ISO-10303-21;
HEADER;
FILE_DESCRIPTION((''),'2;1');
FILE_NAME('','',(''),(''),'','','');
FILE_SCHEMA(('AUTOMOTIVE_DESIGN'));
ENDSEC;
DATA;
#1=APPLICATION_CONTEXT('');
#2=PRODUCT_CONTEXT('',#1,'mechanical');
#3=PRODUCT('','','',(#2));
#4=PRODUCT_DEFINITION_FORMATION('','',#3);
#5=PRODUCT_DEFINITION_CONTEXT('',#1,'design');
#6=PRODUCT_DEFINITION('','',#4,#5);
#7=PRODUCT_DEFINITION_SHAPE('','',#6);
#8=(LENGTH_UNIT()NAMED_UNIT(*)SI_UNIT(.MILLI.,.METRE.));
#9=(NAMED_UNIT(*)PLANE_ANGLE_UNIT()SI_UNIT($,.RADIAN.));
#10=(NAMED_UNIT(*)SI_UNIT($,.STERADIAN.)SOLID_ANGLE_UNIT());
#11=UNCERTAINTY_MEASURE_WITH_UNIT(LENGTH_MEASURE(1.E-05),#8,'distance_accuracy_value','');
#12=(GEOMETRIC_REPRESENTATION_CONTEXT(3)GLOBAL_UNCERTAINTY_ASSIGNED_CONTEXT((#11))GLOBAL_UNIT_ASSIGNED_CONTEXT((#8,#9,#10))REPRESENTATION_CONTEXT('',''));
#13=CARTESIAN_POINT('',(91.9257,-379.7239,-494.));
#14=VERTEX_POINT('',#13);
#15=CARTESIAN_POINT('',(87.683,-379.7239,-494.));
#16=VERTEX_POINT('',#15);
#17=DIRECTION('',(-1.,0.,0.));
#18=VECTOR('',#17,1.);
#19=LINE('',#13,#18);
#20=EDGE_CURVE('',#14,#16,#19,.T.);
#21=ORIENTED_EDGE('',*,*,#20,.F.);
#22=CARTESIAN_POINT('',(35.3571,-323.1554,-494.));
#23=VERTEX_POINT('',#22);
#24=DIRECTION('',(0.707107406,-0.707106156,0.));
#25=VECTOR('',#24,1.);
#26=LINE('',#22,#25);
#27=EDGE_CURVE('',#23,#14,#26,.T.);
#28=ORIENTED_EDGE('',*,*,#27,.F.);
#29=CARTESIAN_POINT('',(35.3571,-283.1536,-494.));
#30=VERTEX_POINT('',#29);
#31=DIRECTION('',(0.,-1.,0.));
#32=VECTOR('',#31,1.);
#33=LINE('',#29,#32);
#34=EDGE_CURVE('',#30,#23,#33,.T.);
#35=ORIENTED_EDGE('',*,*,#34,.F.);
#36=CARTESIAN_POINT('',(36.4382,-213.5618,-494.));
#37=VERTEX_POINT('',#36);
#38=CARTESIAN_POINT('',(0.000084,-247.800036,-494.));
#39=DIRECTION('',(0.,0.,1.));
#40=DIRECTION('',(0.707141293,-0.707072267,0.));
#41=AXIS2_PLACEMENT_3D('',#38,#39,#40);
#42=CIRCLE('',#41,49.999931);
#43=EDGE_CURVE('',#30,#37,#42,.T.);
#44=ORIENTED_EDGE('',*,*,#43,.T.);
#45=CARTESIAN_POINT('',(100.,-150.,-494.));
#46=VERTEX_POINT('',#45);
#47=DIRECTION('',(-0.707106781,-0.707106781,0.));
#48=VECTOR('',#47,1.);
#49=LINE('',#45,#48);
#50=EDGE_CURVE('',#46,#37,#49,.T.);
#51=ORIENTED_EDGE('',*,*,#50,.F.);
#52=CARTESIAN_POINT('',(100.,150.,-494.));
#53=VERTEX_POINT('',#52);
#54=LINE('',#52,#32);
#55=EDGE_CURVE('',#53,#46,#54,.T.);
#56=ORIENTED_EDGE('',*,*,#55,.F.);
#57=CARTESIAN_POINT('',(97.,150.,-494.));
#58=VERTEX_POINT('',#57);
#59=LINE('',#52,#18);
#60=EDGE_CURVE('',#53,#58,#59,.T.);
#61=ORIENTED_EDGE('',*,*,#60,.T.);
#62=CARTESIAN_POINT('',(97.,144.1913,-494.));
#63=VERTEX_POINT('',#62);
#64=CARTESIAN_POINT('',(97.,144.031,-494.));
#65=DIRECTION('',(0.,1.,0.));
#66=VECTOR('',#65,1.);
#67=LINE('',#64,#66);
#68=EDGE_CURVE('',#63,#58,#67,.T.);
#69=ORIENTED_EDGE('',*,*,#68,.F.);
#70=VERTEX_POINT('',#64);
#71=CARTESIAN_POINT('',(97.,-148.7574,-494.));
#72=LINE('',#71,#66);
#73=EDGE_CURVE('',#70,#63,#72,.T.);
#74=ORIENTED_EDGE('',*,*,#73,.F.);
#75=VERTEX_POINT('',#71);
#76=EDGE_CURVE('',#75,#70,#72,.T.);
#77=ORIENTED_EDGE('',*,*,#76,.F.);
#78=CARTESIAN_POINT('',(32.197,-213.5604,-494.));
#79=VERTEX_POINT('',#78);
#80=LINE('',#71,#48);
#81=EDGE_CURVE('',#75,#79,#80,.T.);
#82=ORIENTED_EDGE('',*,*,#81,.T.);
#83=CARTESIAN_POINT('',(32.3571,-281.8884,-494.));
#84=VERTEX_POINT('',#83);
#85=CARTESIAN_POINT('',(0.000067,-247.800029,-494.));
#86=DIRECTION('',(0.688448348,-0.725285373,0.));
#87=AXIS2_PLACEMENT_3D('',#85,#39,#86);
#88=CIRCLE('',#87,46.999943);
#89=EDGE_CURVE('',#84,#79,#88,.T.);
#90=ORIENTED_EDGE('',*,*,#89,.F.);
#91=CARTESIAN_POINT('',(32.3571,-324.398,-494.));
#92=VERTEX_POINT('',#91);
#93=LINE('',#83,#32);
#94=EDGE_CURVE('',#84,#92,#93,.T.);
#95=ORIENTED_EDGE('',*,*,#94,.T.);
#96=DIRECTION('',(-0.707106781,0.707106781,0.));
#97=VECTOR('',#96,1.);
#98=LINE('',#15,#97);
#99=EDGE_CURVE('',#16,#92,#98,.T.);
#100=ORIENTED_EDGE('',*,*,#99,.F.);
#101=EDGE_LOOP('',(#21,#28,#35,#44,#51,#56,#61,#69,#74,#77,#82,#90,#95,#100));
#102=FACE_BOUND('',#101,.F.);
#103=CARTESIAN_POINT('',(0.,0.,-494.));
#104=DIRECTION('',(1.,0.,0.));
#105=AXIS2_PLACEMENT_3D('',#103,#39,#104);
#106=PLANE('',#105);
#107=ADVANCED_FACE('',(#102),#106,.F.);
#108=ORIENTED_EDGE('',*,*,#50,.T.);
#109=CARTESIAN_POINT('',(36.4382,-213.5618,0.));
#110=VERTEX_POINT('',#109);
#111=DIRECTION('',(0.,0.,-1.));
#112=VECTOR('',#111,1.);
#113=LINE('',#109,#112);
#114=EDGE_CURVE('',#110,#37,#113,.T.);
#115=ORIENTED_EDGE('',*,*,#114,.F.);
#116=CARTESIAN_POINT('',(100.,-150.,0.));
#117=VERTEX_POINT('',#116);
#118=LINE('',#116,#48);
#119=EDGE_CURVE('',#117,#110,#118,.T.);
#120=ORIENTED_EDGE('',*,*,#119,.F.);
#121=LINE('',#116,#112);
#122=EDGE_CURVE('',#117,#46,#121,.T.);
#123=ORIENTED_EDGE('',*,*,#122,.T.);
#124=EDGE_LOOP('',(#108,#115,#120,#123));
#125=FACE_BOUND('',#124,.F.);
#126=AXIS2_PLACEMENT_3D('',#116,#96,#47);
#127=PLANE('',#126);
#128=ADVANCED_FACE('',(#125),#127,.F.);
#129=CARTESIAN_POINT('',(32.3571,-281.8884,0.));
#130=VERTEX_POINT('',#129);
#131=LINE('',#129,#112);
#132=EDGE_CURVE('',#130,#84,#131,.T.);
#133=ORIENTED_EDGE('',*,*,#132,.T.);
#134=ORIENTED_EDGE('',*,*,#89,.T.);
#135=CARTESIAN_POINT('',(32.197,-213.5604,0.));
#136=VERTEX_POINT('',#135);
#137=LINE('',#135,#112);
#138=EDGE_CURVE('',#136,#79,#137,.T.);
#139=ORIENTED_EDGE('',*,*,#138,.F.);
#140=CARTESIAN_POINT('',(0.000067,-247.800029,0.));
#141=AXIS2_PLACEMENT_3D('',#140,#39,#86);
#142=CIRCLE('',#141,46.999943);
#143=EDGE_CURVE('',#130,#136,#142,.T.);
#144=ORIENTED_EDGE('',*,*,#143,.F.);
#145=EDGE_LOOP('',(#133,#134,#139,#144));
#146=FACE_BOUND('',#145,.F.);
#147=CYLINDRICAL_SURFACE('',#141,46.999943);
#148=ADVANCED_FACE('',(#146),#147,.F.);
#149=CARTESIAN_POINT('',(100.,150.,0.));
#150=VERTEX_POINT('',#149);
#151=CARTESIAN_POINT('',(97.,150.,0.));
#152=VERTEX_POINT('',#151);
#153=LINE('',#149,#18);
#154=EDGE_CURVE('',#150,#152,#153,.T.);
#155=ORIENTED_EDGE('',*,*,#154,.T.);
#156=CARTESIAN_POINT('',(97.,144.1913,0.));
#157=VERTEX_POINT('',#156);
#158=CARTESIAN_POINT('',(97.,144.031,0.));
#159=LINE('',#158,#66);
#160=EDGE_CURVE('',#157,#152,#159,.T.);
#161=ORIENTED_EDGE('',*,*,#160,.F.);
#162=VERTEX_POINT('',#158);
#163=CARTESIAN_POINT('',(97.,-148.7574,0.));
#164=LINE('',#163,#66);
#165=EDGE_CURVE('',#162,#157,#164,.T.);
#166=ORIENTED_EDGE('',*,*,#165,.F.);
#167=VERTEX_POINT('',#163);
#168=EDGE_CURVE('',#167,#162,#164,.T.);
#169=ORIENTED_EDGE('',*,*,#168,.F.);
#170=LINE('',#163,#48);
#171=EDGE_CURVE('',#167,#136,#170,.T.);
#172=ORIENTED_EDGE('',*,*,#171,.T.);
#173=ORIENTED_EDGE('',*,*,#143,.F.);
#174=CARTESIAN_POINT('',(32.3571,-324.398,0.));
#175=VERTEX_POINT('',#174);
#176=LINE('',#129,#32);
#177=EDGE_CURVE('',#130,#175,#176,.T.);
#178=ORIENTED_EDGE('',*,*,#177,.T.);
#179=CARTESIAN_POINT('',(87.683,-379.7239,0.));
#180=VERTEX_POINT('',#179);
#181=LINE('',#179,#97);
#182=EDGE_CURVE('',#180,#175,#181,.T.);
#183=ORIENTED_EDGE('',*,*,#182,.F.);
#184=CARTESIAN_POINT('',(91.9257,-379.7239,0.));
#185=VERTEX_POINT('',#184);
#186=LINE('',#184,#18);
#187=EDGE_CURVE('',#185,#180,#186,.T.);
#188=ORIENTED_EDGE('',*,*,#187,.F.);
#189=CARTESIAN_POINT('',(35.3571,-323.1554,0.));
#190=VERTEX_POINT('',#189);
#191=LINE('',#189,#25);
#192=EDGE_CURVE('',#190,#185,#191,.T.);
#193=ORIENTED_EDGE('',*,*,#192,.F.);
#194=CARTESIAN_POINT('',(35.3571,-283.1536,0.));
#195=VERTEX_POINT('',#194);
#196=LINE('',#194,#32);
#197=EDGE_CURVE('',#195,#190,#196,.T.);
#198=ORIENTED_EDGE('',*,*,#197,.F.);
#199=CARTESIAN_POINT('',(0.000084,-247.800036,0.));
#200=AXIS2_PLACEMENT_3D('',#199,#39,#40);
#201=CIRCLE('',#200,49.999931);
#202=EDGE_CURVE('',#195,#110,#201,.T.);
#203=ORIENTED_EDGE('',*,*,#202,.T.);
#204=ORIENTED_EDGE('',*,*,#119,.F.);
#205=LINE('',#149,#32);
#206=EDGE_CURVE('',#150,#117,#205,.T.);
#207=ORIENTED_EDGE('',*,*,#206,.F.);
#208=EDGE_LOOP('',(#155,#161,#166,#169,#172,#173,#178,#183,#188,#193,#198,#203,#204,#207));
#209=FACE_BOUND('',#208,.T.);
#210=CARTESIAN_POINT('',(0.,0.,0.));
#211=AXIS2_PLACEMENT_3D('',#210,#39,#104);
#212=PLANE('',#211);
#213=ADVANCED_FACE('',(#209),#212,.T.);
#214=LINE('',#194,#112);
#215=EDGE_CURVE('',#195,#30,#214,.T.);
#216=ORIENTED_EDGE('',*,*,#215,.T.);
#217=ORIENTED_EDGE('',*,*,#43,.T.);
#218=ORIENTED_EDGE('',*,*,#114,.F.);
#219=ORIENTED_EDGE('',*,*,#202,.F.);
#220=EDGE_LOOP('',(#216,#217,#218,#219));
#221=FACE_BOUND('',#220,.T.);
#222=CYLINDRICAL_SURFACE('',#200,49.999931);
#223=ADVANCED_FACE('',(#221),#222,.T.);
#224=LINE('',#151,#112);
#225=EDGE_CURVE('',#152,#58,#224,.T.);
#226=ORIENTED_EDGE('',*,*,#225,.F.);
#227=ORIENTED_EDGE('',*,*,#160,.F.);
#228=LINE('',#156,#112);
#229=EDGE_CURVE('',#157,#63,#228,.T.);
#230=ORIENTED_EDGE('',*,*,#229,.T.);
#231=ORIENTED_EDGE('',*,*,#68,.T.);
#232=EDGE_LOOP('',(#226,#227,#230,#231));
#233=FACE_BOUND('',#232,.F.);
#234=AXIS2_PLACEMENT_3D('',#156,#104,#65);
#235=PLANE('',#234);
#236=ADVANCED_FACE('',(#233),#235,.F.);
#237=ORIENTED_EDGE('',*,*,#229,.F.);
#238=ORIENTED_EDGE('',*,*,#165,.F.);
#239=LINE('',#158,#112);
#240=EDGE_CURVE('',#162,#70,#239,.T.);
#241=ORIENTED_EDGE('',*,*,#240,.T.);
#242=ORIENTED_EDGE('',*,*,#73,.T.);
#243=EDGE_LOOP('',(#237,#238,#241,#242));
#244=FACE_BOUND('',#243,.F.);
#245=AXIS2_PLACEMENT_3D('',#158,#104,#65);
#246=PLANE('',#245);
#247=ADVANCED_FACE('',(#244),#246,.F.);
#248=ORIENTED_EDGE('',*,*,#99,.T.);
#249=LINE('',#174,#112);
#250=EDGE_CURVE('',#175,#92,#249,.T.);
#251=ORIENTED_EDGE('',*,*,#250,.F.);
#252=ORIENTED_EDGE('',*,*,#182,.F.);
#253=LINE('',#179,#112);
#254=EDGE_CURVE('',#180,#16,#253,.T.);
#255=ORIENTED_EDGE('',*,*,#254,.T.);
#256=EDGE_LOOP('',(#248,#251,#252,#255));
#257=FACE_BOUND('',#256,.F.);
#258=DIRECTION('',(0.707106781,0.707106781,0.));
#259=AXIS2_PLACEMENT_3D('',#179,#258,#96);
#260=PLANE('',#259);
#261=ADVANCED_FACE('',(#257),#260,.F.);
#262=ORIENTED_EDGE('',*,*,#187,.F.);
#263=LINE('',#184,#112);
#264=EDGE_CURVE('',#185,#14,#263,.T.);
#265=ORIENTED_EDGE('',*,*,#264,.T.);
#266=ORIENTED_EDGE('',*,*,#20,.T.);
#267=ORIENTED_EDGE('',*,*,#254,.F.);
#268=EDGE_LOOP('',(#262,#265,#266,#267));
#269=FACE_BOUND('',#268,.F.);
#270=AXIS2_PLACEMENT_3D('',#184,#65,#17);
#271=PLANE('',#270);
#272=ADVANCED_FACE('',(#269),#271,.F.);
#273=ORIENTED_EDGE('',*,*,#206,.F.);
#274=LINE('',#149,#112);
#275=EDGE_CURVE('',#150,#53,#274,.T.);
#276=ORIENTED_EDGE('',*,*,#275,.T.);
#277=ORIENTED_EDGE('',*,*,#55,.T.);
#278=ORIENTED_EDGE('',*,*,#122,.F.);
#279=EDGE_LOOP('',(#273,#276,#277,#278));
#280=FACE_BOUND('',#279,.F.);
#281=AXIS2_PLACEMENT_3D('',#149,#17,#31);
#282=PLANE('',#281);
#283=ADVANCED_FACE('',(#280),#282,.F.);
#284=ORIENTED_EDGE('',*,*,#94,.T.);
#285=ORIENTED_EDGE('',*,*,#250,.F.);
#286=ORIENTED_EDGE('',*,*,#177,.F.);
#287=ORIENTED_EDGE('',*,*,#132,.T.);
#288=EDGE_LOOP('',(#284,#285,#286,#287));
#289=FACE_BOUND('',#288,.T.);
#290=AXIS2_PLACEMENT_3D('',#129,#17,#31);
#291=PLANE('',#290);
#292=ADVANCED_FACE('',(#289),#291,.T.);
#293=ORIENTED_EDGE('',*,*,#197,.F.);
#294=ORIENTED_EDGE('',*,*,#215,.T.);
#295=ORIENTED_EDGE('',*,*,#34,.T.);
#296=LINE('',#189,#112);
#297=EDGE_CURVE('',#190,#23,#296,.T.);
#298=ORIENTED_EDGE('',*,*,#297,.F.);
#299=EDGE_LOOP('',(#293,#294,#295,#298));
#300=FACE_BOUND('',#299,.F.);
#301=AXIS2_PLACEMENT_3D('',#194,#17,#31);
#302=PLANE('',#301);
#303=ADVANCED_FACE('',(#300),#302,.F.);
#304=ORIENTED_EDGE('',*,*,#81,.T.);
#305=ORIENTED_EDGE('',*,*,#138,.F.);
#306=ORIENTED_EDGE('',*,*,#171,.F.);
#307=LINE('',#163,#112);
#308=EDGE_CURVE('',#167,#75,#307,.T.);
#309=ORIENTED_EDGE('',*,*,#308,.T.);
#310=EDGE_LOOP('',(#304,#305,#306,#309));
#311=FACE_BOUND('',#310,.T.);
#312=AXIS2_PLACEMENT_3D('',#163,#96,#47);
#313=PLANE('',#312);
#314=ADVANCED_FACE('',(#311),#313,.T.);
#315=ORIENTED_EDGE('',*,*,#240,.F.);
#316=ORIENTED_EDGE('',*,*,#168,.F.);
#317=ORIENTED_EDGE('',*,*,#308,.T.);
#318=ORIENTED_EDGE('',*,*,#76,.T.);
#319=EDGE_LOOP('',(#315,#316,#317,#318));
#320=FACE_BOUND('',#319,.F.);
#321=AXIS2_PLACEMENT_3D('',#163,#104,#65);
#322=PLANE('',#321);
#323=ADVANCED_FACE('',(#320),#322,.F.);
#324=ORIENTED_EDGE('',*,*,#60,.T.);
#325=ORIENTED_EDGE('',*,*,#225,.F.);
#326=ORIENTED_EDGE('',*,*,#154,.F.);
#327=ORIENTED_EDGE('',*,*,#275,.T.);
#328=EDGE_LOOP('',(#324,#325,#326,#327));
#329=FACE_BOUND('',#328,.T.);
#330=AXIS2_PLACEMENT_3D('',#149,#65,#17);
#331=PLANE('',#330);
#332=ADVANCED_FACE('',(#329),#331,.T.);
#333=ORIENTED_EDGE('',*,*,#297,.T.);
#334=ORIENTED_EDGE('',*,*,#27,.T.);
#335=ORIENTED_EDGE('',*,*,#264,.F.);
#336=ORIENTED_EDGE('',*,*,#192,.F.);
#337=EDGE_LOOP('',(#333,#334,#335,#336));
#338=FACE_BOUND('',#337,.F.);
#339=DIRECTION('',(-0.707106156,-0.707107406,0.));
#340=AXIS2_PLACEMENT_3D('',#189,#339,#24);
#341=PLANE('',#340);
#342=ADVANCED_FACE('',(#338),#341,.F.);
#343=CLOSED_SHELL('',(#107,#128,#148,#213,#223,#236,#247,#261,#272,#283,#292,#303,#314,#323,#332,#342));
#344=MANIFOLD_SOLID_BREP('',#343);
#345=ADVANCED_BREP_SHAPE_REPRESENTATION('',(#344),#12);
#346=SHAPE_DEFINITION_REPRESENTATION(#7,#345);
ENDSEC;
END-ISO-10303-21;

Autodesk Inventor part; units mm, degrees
ref_plane "YZ Plane" through (0, 0, 0) normal (1, 0, 0) x (0, 1, 0)
ref_plane "XZ Plane" through (0, 0, 0) normal (0, 1, 0) x (-1, 0, 0)
ref_plane "XY Plane" through (0, 0, 0) normal (0, 0, 1) x (1, 0, 0)
sketch "Sketch2" plane through (0, 0, 0) normal (0, 0, 1) x (1, 0, 0)
  line L0 (100, 150) -> (100, -150)
  line L1 (100, -150) -> (36.4382, -213.5618)
  line L2 (35.3571, -283.1536) -> (35.3571, -323.1554)
  line L3 (35.3571, -323.1554) -> (91.9257, -379.7239)
  arc A0 (35.3571, -283.1536) -> (36.4382, -213.5618) centre (0, -247.8) ccw
  line L4 (97, -148.7574) -> (32.197, -213.5604)
  line L5 (97, -148.7574) -> (97, 144.1913)
  line L6 (87.683, -379.7239) -> (32.3571, -324.398)
  line L7 (91.9257, -379.7239) -> (87.683, -379.7239)
  arc A1 (32.3571, -281.8884) -> (32.197, -213.5604) centre (0, -247.8) ccw
  line L8 (32.3571, -281.8884) -> (32.3571, -324.398)
  line L9 (100, 150) -> (97, 150)
  line L10 (97, 144.031) -> (97, 150)
  point P0 (97, 144.0372)
  dimension "d26" = 3
  dimension "d28" = 3
  dimension "d29" = 94
  dimension "d30" = 3
  dimension "d31" = 3
  dimension "d32" = 3
  dimension "d33" = 3
extrude "Extrusion2" add sketch "Sketch2" against normal blind 494
properties part number "front"
